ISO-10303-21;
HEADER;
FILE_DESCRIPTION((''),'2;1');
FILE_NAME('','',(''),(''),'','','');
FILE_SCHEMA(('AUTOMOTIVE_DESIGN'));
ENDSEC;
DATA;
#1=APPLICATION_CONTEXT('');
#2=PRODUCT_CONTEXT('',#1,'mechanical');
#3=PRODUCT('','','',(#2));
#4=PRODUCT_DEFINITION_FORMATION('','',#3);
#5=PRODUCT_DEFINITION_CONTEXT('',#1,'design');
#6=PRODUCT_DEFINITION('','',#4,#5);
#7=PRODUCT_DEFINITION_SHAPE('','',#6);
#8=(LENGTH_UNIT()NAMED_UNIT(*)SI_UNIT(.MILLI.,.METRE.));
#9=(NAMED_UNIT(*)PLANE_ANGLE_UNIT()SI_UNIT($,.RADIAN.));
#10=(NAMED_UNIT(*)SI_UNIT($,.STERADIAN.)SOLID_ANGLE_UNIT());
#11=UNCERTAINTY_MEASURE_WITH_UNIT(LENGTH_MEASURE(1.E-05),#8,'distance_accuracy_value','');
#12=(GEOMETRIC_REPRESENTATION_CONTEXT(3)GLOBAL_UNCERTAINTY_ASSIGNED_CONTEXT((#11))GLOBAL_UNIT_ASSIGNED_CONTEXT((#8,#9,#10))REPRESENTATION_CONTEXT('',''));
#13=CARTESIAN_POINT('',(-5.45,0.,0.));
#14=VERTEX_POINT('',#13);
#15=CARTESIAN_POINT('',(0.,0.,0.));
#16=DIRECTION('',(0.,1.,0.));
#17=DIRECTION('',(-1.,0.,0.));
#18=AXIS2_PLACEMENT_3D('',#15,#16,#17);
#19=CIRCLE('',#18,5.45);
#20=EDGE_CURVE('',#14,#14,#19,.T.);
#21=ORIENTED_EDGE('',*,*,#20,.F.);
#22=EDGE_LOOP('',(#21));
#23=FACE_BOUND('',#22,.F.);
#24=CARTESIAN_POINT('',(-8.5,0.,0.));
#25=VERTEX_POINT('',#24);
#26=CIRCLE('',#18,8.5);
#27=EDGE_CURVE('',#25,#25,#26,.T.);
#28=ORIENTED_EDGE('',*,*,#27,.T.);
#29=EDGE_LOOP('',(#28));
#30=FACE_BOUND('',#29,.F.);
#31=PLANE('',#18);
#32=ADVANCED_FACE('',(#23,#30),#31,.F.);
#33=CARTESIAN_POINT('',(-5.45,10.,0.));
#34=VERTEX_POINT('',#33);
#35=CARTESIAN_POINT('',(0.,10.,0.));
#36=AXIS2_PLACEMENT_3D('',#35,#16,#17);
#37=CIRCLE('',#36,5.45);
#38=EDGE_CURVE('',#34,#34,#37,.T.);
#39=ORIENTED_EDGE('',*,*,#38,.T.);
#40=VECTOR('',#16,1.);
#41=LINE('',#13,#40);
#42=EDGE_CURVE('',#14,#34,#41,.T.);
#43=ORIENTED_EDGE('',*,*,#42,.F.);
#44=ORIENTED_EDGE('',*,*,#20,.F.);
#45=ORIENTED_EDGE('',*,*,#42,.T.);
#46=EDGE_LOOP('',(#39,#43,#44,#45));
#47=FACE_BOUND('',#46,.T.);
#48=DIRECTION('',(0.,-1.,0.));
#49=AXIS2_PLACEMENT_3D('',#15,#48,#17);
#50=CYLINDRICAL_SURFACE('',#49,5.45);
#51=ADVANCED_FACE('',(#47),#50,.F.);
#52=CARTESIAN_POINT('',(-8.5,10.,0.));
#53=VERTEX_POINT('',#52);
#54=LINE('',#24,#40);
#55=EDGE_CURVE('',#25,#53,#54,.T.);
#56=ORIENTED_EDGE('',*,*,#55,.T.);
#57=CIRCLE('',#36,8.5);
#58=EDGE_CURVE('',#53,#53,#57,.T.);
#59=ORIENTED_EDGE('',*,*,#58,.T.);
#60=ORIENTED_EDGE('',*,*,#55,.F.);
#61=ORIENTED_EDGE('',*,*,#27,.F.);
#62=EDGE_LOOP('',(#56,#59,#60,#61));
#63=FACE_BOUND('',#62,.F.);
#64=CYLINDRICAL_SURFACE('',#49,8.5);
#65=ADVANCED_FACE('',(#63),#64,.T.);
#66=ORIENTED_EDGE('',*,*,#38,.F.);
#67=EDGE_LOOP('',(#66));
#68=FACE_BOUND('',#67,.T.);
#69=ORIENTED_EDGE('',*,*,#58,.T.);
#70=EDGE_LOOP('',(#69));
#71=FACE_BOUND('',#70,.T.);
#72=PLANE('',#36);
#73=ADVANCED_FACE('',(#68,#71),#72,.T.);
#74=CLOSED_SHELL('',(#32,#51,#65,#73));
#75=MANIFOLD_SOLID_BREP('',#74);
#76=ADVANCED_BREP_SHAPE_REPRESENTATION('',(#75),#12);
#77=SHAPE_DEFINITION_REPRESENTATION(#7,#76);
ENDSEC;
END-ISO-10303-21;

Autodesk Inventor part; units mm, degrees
ref_plane "YZ Plane" through (0, 0, 0) normal (1, 0, 0) x (0, 1, 0)
ref_plane "XZ Plane" through (0, 0, 0) normal (0, 1, 0) x (-1, 0, 0)
ref_plane "XY Plane" through (0, 0, 0) normal (0, 0, 1) x (1, 0, 0)
sketch "Sketch1" plane through (0, 0, 0) normal (0, 1, 0) x (-1, 0, 0)
  circle A0 centre (0, 0) radius 5.45
  circle A1 centre (0, 0) radius 8.5
  dimension "d0" = 10.9
  dimension "d1" = 17
extrude "Extrusion1" add sketch "Sketch1" along normal blind 10
properties part number "spacer"
